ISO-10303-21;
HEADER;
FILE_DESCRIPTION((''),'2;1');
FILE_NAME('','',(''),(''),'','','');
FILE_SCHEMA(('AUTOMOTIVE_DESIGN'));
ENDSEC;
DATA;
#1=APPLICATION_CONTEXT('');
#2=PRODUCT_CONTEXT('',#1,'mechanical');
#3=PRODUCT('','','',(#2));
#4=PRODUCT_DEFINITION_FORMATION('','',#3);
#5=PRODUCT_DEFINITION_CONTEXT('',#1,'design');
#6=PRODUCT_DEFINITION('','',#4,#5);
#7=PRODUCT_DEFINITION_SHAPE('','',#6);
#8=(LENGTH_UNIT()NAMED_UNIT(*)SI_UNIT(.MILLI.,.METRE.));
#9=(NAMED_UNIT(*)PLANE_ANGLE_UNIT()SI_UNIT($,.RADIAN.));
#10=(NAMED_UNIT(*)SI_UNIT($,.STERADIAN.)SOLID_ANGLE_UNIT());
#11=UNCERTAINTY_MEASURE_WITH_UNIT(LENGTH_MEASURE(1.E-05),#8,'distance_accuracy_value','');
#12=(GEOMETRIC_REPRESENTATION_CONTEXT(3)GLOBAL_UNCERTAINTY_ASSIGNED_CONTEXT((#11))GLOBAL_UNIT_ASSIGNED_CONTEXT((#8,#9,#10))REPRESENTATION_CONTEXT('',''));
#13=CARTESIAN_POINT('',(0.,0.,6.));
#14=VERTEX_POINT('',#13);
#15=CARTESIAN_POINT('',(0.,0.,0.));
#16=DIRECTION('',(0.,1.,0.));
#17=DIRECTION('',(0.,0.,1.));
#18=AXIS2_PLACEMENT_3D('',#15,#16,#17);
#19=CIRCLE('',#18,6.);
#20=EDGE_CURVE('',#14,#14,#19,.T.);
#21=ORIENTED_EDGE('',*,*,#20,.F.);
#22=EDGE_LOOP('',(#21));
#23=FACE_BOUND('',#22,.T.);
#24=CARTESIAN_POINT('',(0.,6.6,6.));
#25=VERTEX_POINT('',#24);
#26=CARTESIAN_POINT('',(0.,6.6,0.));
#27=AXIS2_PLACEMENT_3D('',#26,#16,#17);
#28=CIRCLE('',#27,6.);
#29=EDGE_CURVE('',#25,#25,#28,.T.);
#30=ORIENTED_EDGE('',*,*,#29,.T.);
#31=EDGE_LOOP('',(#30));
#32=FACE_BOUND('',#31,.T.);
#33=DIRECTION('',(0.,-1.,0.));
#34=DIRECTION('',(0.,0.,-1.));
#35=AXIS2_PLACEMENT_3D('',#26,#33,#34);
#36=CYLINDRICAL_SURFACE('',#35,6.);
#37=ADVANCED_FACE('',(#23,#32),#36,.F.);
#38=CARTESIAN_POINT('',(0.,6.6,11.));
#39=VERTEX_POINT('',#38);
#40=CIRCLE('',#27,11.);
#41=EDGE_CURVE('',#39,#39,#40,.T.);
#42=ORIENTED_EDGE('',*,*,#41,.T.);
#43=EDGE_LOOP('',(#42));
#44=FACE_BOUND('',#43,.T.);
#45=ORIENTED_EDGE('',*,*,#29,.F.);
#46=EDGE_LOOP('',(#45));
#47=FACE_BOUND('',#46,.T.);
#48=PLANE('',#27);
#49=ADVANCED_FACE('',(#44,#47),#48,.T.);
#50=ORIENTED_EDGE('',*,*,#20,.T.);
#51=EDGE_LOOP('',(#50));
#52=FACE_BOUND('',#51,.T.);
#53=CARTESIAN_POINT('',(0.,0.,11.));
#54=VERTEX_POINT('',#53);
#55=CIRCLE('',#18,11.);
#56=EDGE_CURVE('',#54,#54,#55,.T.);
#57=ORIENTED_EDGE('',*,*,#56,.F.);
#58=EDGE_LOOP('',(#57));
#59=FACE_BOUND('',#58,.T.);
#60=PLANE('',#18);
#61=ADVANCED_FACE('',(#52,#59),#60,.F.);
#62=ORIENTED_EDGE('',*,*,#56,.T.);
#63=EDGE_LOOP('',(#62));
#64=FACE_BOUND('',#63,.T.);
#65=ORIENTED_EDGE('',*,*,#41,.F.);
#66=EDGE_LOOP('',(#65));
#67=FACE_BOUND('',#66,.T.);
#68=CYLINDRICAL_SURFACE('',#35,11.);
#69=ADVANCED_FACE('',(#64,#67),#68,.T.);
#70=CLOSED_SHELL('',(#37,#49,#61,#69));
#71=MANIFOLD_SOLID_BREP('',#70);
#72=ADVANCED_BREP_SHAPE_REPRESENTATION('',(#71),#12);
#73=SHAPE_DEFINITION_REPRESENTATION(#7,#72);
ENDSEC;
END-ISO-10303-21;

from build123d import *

# Parameters (mm, degrees)
SKETCH1_R           = 11
SKETCH1_R_2         = 6
BOSS_EXTRUDE1_DEPTH = 6.6


with BuildPart() as part:
    # Sketch1 → Boss-Extrude1 (new body)
    with BuildSketch(Plane(origin=(0, 0, 0), x_dir=(1, 0, 0), z_dir=(0, 1, 0))):
        Circle(SKETCH1_R)
        Circle(SKETCH1_R_2, mode=Mode.SUBTRACT)
    extrude(amount=BOSS_EXTRUDE1_DEPTH)


solid = part.part
